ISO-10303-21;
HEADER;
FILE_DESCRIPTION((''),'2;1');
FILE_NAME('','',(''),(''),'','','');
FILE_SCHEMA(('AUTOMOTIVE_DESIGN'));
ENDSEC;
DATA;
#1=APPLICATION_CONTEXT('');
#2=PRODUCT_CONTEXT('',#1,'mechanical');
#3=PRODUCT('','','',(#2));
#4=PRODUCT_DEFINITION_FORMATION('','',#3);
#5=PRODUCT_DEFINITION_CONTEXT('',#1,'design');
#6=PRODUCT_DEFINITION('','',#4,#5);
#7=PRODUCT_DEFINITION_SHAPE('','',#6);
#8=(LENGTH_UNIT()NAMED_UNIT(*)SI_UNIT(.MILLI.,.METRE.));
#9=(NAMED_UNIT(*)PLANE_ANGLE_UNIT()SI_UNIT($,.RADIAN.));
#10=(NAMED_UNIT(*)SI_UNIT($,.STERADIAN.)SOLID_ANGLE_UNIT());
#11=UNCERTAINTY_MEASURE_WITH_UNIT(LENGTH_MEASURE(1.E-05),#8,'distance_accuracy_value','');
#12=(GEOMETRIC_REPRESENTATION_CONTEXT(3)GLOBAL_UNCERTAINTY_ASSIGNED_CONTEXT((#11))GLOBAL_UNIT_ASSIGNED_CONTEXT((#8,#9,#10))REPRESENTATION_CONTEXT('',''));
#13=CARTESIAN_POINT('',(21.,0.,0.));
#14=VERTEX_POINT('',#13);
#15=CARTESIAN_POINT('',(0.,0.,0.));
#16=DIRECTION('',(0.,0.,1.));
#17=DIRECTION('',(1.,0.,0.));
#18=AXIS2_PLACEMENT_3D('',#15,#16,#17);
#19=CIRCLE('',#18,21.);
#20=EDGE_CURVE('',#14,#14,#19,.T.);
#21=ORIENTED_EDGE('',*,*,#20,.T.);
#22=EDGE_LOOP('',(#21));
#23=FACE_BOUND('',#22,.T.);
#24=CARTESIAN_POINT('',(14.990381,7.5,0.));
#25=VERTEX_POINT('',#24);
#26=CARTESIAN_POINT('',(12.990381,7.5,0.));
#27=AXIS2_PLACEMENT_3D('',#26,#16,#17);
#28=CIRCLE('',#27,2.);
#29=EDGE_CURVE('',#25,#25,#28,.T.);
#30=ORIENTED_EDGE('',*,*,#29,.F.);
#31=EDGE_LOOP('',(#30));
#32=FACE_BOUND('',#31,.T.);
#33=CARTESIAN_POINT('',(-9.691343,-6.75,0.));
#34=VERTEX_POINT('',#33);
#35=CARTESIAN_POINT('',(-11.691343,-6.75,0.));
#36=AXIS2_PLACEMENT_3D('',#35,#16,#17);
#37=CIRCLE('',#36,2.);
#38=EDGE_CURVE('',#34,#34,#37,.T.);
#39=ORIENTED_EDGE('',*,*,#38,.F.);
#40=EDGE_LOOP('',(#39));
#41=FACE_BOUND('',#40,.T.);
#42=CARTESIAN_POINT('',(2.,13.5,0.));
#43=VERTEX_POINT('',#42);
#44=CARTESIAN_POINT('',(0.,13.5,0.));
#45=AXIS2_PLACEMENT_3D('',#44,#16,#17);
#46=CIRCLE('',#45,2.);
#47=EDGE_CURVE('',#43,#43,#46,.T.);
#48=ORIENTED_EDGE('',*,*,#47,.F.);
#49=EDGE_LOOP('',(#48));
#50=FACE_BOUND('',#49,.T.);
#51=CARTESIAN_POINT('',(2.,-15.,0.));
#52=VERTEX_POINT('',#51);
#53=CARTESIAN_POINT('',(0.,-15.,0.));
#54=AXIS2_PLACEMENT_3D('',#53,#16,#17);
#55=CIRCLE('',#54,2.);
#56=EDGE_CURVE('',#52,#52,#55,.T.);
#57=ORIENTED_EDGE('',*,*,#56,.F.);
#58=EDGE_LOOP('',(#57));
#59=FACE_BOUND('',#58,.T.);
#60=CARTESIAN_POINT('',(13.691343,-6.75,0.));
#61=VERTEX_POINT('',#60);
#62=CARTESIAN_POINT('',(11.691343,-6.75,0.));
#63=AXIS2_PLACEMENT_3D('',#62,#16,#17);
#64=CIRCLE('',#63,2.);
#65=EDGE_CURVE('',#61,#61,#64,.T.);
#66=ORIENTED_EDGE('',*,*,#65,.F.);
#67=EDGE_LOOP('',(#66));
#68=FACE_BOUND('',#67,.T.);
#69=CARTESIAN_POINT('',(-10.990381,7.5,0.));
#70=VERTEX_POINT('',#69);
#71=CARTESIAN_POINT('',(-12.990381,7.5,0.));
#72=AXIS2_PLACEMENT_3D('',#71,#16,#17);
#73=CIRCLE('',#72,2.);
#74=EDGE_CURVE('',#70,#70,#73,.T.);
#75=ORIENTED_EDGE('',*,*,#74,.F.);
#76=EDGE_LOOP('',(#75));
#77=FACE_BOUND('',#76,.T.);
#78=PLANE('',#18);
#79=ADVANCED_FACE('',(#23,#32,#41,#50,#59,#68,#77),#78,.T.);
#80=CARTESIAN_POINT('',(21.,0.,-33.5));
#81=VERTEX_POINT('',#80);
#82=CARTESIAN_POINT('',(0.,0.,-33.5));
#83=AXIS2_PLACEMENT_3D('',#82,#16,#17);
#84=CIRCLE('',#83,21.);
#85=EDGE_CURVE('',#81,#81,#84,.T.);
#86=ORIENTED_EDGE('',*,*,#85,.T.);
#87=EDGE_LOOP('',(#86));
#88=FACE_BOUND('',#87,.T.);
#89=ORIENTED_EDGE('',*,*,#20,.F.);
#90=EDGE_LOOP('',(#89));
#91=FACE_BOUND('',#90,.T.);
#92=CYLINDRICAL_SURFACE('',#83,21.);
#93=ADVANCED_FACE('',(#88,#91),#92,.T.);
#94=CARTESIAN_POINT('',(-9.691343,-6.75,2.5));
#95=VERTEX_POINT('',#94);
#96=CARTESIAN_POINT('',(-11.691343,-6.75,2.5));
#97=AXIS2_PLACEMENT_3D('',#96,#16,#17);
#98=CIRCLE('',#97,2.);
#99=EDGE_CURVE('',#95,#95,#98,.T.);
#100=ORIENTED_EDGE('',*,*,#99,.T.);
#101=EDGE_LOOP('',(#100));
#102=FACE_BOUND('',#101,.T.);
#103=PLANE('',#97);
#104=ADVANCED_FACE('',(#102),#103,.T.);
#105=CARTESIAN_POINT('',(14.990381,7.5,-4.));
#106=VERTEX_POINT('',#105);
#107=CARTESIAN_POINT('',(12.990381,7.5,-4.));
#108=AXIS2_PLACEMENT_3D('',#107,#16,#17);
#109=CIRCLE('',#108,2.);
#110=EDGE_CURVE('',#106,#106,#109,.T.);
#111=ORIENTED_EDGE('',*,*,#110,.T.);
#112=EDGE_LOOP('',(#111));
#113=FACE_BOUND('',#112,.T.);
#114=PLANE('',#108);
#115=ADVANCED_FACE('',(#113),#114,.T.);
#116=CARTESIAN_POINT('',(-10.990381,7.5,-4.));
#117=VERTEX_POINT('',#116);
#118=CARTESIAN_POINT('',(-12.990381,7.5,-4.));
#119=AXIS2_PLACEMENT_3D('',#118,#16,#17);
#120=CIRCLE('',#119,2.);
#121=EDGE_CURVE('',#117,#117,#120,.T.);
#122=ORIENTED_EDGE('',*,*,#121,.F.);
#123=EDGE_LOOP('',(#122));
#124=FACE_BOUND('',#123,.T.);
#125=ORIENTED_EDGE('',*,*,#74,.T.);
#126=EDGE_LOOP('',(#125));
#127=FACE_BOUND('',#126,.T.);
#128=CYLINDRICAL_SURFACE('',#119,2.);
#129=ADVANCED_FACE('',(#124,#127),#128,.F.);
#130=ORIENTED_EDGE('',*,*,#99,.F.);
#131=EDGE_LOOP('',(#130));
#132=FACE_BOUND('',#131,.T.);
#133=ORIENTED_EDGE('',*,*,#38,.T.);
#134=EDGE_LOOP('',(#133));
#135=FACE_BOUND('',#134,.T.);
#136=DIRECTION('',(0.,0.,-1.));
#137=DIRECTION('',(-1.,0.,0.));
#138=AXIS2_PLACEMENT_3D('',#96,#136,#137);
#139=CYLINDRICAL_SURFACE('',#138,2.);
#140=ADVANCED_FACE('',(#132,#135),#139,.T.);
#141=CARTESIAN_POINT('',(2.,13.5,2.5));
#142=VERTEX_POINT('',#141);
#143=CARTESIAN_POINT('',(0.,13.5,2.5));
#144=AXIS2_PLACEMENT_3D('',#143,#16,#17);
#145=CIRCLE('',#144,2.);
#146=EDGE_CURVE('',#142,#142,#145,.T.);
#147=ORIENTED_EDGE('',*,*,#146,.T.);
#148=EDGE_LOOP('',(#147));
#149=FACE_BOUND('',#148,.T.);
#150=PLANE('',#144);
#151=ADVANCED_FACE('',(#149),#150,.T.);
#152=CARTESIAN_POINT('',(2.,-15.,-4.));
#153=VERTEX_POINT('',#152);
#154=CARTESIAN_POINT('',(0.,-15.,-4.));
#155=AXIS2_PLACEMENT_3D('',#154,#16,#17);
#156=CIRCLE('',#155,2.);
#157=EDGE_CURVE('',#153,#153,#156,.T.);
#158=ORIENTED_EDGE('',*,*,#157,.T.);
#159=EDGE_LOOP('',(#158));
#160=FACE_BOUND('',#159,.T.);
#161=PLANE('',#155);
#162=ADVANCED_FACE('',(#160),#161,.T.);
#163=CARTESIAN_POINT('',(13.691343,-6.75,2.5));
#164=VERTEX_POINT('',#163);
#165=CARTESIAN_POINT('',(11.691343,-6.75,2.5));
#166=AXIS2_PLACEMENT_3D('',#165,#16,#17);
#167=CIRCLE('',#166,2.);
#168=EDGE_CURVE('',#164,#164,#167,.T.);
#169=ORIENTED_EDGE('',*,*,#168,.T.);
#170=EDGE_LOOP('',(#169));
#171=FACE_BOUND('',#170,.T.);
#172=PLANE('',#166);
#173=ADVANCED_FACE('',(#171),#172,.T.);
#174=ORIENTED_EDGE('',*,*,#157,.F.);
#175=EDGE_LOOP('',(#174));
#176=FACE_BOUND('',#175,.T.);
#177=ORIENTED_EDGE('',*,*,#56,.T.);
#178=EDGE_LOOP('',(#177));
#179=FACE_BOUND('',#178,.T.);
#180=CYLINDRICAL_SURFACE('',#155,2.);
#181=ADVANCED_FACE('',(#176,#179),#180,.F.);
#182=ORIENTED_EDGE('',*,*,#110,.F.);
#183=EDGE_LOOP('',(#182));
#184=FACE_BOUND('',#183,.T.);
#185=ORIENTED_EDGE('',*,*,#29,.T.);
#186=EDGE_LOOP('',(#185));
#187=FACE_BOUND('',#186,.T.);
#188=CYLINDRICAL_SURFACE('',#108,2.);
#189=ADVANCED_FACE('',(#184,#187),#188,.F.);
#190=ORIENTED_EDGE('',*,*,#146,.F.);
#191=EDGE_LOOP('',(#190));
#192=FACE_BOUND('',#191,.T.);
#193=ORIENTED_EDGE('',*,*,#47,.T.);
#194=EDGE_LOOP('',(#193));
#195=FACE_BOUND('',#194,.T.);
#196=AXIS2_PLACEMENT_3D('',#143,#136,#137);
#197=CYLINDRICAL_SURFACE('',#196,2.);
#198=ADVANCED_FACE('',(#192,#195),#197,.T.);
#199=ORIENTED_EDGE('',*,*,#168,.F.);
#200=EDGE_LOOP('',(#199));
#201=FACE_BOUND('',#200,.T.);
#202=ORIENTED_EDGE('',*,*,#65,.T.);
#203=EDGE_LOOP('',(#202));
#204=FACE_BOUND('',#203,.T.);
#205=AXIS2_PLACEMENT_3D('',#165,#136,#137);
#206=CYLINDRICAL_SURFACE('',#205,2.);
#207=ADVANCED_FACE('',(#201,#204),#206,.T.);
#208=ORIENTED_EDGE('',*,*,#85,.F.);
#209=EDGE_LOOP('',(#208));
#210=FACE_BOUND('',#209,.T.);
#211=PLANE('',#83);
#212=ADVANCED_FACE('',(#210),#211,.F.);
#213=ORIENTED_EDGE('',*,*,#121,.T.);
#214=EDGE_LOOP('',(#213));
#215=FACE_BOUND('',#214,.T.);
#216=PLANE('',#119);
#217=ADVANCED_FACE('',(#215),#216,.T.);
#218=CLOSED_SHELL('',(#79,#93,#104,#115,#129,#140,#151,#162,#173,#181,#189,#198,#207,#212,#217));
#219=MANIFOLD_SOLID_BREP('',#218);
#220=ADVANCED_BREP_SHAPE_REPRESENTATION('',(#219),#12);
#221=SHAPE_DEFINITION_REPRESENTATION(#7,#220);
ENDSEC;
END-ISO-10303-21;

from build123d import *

# Parameters (mm, degrees)
SKETCH2_R           = 21
BOSS_EXTRUDE1_DEPTH = 33.5
SKETCH3_R           = 2
CUT_EXTRUDE2_DEPTH  = 4
SKETCH4_R           = 2
BOSS_EXTRUDE2_DEPTH = 2.5


with BuildPart() as part:
    # Sketch2 → Boss-Extrude1 (new body)
    with BuildSketch(Plane.XY):
        Circle(SKETCH2_R)
    extrude(amount=-BOSS_EXTRUDE1_DEPTH)

    # Sketch3 → Cut-Extrude2 (cut)
    with BuildSketch(Plane.XY):
        with Locations((0, -15)):
            Circle(SKETCH3_R)
        with Locations((-12.990381057, 7.5)):
            Circle(SKETCH3_R)
        with Locations((12.990381057, 7.5)):
            Circle(SKETCH3_R)
    extrude(amount=-CUT_EXTRUDE2_DEPTH, mode=Mode.SUBTRACT)

    # Sketch4 → Boss-Extrude2 (add)
    with BuildSketch(Plane.XY):
        with Locations((0, 13.5)):
            Circle(SKETCH4_R)
        with Locations((11.691342951, -6.75)):
            Circle(SKETCH4_R)
        with Locations((-11.691342951, -6.75)):
            Circle(SKETCH4_R)
    extrude(amount=BOSS_EXTRUDE2_DEPTH)


solid = part.part
